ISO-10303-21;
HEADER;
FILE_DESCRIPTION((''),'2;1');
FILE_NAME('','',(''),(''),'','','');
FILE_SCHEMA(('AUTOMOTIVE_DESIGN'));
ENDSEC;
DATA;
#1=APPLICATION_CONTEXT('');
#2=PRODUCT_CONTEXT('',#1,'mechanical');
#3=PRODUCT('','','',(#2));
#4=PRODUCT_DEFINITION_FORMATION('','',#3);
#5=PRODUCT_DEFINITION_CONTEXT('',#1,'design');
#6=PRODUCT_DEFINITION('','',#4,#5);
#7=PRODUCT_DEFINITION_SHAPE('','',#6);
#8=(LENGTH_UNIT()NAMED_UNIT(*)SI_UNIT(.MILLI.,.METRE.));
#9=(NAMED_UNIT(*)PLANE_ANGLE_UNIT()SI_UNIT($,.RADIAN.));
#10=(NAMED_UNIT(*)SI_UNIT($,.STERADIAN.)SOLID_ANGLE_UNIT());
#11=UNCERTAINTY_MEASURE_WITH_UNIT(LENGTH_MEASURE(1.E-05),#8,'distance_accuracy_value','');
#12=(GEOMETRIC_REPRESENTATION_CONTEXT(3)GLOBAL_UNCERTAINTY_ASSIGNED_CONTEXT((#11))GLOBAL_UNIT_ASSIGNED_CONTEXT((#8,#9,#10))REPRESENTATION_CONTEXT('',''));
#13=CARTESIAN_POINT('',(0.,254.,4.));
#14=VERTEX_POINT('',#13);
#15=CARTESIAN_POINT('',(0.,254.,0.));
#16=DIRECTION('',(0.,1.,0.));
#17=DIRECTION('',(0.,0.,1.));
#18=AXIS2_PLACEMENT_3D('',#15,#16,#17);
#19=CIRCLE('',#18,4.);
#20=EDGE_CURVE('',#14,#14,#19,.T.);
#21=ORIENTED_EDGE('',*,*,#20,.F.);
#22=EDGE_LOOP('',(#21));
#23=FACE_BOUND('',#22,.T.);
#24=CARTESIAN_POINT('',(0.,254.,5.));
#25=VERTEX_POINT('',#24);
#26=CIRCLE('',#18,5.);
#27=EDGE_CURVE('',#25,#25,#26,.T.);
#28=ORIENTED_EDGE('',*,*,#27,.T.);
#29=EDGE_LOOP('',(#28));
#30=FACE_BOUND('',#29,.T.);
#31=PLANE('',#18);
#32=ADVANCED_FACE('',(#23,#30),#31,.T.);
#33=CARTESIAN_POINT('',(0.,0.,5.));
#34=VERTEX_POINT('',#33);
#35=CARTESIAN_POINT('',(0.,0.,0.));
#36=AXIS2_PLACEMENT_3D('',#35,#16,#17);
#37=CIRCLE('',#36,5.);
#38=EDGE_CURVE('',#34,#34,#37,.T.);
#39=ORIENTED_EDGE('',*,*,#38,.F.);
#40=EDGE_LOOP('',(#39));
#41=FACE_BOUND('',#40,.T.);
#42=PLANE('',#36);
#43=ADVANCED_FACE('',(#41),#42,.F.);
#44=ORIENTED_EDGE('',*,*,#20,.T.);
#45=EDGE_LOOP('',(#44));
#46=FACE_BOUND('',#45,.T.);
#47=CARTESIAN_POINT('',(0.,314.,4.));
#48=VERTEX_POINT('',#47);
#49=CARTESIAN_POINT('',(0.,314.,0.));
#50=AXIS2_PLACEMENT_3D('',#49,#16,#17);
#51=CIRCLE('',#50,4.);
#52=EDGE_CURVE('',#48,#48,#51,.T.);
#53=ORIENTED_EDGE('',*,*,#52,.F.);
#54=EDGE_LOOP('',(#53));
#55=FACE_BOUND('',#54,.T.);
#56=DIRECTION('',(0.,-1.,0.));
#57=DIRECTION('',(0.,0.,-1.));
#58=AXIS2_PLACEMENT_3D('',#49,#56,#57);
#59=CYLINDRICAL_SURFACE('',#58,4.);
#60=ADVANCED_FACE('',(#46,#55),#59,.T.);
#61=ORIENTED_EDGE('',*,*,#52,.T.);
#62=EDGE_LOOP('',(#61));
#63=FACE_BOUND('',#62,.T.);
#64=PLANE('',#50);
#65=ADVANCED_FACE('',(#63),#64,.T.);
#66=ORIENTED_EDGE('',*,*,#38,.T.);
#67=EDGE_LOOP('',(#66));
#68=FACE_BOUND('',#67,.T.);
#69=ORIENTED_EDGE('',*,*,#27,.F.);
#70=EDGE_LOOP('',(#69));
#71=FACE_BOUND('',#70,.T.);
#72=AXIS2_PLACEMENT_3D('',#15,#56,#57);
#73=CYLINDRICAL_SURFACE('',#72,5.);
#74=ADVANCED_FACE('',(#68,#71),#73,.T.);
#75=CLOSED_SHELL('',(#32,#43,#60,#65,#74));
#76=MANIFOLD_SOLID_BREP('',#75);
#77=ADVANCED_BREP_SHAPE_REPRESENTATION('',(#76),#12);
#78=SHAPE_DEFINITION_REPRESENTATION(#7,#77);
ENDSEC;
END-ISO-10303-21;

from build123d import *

# Parameters (mm, degrees)
SKETCH1_R           = 5
BOSS_EXTRUDE1_DEPTH = 254
SKETCH2_R           = 4
BOSS_EXTRUDE2_DEPTH = 60


with BuildPart() as part:
    # Sketch1 → Boss-Extrude1 (new body)
    with BuildSketch(Plane(origin=(0, 0, 0), x_dir=(1, 0, 0), z_dir=(0, 1, 0))):
        with Locations(Location((0, 0, 0), (0, 0, 270))):
            Circle(SKETCH1_R)
    extrude(amount=BOSS_EXTRUDE1_DEPTH)

    # Sketch2 → Boss-Extrude2 (add)
    with BuildSketch(Plane(origin=(0, 254, 0), x_dir=(1, 0, 0), z_dir=(0, 1, 0))):
        with Locations(Location((0, 0, 0), (0, 0, 270))):
            Circle(SKETCH2_R)
    extrude(amount=BOSS_EXTRUDE2_DEPTH)


solid = part.part
